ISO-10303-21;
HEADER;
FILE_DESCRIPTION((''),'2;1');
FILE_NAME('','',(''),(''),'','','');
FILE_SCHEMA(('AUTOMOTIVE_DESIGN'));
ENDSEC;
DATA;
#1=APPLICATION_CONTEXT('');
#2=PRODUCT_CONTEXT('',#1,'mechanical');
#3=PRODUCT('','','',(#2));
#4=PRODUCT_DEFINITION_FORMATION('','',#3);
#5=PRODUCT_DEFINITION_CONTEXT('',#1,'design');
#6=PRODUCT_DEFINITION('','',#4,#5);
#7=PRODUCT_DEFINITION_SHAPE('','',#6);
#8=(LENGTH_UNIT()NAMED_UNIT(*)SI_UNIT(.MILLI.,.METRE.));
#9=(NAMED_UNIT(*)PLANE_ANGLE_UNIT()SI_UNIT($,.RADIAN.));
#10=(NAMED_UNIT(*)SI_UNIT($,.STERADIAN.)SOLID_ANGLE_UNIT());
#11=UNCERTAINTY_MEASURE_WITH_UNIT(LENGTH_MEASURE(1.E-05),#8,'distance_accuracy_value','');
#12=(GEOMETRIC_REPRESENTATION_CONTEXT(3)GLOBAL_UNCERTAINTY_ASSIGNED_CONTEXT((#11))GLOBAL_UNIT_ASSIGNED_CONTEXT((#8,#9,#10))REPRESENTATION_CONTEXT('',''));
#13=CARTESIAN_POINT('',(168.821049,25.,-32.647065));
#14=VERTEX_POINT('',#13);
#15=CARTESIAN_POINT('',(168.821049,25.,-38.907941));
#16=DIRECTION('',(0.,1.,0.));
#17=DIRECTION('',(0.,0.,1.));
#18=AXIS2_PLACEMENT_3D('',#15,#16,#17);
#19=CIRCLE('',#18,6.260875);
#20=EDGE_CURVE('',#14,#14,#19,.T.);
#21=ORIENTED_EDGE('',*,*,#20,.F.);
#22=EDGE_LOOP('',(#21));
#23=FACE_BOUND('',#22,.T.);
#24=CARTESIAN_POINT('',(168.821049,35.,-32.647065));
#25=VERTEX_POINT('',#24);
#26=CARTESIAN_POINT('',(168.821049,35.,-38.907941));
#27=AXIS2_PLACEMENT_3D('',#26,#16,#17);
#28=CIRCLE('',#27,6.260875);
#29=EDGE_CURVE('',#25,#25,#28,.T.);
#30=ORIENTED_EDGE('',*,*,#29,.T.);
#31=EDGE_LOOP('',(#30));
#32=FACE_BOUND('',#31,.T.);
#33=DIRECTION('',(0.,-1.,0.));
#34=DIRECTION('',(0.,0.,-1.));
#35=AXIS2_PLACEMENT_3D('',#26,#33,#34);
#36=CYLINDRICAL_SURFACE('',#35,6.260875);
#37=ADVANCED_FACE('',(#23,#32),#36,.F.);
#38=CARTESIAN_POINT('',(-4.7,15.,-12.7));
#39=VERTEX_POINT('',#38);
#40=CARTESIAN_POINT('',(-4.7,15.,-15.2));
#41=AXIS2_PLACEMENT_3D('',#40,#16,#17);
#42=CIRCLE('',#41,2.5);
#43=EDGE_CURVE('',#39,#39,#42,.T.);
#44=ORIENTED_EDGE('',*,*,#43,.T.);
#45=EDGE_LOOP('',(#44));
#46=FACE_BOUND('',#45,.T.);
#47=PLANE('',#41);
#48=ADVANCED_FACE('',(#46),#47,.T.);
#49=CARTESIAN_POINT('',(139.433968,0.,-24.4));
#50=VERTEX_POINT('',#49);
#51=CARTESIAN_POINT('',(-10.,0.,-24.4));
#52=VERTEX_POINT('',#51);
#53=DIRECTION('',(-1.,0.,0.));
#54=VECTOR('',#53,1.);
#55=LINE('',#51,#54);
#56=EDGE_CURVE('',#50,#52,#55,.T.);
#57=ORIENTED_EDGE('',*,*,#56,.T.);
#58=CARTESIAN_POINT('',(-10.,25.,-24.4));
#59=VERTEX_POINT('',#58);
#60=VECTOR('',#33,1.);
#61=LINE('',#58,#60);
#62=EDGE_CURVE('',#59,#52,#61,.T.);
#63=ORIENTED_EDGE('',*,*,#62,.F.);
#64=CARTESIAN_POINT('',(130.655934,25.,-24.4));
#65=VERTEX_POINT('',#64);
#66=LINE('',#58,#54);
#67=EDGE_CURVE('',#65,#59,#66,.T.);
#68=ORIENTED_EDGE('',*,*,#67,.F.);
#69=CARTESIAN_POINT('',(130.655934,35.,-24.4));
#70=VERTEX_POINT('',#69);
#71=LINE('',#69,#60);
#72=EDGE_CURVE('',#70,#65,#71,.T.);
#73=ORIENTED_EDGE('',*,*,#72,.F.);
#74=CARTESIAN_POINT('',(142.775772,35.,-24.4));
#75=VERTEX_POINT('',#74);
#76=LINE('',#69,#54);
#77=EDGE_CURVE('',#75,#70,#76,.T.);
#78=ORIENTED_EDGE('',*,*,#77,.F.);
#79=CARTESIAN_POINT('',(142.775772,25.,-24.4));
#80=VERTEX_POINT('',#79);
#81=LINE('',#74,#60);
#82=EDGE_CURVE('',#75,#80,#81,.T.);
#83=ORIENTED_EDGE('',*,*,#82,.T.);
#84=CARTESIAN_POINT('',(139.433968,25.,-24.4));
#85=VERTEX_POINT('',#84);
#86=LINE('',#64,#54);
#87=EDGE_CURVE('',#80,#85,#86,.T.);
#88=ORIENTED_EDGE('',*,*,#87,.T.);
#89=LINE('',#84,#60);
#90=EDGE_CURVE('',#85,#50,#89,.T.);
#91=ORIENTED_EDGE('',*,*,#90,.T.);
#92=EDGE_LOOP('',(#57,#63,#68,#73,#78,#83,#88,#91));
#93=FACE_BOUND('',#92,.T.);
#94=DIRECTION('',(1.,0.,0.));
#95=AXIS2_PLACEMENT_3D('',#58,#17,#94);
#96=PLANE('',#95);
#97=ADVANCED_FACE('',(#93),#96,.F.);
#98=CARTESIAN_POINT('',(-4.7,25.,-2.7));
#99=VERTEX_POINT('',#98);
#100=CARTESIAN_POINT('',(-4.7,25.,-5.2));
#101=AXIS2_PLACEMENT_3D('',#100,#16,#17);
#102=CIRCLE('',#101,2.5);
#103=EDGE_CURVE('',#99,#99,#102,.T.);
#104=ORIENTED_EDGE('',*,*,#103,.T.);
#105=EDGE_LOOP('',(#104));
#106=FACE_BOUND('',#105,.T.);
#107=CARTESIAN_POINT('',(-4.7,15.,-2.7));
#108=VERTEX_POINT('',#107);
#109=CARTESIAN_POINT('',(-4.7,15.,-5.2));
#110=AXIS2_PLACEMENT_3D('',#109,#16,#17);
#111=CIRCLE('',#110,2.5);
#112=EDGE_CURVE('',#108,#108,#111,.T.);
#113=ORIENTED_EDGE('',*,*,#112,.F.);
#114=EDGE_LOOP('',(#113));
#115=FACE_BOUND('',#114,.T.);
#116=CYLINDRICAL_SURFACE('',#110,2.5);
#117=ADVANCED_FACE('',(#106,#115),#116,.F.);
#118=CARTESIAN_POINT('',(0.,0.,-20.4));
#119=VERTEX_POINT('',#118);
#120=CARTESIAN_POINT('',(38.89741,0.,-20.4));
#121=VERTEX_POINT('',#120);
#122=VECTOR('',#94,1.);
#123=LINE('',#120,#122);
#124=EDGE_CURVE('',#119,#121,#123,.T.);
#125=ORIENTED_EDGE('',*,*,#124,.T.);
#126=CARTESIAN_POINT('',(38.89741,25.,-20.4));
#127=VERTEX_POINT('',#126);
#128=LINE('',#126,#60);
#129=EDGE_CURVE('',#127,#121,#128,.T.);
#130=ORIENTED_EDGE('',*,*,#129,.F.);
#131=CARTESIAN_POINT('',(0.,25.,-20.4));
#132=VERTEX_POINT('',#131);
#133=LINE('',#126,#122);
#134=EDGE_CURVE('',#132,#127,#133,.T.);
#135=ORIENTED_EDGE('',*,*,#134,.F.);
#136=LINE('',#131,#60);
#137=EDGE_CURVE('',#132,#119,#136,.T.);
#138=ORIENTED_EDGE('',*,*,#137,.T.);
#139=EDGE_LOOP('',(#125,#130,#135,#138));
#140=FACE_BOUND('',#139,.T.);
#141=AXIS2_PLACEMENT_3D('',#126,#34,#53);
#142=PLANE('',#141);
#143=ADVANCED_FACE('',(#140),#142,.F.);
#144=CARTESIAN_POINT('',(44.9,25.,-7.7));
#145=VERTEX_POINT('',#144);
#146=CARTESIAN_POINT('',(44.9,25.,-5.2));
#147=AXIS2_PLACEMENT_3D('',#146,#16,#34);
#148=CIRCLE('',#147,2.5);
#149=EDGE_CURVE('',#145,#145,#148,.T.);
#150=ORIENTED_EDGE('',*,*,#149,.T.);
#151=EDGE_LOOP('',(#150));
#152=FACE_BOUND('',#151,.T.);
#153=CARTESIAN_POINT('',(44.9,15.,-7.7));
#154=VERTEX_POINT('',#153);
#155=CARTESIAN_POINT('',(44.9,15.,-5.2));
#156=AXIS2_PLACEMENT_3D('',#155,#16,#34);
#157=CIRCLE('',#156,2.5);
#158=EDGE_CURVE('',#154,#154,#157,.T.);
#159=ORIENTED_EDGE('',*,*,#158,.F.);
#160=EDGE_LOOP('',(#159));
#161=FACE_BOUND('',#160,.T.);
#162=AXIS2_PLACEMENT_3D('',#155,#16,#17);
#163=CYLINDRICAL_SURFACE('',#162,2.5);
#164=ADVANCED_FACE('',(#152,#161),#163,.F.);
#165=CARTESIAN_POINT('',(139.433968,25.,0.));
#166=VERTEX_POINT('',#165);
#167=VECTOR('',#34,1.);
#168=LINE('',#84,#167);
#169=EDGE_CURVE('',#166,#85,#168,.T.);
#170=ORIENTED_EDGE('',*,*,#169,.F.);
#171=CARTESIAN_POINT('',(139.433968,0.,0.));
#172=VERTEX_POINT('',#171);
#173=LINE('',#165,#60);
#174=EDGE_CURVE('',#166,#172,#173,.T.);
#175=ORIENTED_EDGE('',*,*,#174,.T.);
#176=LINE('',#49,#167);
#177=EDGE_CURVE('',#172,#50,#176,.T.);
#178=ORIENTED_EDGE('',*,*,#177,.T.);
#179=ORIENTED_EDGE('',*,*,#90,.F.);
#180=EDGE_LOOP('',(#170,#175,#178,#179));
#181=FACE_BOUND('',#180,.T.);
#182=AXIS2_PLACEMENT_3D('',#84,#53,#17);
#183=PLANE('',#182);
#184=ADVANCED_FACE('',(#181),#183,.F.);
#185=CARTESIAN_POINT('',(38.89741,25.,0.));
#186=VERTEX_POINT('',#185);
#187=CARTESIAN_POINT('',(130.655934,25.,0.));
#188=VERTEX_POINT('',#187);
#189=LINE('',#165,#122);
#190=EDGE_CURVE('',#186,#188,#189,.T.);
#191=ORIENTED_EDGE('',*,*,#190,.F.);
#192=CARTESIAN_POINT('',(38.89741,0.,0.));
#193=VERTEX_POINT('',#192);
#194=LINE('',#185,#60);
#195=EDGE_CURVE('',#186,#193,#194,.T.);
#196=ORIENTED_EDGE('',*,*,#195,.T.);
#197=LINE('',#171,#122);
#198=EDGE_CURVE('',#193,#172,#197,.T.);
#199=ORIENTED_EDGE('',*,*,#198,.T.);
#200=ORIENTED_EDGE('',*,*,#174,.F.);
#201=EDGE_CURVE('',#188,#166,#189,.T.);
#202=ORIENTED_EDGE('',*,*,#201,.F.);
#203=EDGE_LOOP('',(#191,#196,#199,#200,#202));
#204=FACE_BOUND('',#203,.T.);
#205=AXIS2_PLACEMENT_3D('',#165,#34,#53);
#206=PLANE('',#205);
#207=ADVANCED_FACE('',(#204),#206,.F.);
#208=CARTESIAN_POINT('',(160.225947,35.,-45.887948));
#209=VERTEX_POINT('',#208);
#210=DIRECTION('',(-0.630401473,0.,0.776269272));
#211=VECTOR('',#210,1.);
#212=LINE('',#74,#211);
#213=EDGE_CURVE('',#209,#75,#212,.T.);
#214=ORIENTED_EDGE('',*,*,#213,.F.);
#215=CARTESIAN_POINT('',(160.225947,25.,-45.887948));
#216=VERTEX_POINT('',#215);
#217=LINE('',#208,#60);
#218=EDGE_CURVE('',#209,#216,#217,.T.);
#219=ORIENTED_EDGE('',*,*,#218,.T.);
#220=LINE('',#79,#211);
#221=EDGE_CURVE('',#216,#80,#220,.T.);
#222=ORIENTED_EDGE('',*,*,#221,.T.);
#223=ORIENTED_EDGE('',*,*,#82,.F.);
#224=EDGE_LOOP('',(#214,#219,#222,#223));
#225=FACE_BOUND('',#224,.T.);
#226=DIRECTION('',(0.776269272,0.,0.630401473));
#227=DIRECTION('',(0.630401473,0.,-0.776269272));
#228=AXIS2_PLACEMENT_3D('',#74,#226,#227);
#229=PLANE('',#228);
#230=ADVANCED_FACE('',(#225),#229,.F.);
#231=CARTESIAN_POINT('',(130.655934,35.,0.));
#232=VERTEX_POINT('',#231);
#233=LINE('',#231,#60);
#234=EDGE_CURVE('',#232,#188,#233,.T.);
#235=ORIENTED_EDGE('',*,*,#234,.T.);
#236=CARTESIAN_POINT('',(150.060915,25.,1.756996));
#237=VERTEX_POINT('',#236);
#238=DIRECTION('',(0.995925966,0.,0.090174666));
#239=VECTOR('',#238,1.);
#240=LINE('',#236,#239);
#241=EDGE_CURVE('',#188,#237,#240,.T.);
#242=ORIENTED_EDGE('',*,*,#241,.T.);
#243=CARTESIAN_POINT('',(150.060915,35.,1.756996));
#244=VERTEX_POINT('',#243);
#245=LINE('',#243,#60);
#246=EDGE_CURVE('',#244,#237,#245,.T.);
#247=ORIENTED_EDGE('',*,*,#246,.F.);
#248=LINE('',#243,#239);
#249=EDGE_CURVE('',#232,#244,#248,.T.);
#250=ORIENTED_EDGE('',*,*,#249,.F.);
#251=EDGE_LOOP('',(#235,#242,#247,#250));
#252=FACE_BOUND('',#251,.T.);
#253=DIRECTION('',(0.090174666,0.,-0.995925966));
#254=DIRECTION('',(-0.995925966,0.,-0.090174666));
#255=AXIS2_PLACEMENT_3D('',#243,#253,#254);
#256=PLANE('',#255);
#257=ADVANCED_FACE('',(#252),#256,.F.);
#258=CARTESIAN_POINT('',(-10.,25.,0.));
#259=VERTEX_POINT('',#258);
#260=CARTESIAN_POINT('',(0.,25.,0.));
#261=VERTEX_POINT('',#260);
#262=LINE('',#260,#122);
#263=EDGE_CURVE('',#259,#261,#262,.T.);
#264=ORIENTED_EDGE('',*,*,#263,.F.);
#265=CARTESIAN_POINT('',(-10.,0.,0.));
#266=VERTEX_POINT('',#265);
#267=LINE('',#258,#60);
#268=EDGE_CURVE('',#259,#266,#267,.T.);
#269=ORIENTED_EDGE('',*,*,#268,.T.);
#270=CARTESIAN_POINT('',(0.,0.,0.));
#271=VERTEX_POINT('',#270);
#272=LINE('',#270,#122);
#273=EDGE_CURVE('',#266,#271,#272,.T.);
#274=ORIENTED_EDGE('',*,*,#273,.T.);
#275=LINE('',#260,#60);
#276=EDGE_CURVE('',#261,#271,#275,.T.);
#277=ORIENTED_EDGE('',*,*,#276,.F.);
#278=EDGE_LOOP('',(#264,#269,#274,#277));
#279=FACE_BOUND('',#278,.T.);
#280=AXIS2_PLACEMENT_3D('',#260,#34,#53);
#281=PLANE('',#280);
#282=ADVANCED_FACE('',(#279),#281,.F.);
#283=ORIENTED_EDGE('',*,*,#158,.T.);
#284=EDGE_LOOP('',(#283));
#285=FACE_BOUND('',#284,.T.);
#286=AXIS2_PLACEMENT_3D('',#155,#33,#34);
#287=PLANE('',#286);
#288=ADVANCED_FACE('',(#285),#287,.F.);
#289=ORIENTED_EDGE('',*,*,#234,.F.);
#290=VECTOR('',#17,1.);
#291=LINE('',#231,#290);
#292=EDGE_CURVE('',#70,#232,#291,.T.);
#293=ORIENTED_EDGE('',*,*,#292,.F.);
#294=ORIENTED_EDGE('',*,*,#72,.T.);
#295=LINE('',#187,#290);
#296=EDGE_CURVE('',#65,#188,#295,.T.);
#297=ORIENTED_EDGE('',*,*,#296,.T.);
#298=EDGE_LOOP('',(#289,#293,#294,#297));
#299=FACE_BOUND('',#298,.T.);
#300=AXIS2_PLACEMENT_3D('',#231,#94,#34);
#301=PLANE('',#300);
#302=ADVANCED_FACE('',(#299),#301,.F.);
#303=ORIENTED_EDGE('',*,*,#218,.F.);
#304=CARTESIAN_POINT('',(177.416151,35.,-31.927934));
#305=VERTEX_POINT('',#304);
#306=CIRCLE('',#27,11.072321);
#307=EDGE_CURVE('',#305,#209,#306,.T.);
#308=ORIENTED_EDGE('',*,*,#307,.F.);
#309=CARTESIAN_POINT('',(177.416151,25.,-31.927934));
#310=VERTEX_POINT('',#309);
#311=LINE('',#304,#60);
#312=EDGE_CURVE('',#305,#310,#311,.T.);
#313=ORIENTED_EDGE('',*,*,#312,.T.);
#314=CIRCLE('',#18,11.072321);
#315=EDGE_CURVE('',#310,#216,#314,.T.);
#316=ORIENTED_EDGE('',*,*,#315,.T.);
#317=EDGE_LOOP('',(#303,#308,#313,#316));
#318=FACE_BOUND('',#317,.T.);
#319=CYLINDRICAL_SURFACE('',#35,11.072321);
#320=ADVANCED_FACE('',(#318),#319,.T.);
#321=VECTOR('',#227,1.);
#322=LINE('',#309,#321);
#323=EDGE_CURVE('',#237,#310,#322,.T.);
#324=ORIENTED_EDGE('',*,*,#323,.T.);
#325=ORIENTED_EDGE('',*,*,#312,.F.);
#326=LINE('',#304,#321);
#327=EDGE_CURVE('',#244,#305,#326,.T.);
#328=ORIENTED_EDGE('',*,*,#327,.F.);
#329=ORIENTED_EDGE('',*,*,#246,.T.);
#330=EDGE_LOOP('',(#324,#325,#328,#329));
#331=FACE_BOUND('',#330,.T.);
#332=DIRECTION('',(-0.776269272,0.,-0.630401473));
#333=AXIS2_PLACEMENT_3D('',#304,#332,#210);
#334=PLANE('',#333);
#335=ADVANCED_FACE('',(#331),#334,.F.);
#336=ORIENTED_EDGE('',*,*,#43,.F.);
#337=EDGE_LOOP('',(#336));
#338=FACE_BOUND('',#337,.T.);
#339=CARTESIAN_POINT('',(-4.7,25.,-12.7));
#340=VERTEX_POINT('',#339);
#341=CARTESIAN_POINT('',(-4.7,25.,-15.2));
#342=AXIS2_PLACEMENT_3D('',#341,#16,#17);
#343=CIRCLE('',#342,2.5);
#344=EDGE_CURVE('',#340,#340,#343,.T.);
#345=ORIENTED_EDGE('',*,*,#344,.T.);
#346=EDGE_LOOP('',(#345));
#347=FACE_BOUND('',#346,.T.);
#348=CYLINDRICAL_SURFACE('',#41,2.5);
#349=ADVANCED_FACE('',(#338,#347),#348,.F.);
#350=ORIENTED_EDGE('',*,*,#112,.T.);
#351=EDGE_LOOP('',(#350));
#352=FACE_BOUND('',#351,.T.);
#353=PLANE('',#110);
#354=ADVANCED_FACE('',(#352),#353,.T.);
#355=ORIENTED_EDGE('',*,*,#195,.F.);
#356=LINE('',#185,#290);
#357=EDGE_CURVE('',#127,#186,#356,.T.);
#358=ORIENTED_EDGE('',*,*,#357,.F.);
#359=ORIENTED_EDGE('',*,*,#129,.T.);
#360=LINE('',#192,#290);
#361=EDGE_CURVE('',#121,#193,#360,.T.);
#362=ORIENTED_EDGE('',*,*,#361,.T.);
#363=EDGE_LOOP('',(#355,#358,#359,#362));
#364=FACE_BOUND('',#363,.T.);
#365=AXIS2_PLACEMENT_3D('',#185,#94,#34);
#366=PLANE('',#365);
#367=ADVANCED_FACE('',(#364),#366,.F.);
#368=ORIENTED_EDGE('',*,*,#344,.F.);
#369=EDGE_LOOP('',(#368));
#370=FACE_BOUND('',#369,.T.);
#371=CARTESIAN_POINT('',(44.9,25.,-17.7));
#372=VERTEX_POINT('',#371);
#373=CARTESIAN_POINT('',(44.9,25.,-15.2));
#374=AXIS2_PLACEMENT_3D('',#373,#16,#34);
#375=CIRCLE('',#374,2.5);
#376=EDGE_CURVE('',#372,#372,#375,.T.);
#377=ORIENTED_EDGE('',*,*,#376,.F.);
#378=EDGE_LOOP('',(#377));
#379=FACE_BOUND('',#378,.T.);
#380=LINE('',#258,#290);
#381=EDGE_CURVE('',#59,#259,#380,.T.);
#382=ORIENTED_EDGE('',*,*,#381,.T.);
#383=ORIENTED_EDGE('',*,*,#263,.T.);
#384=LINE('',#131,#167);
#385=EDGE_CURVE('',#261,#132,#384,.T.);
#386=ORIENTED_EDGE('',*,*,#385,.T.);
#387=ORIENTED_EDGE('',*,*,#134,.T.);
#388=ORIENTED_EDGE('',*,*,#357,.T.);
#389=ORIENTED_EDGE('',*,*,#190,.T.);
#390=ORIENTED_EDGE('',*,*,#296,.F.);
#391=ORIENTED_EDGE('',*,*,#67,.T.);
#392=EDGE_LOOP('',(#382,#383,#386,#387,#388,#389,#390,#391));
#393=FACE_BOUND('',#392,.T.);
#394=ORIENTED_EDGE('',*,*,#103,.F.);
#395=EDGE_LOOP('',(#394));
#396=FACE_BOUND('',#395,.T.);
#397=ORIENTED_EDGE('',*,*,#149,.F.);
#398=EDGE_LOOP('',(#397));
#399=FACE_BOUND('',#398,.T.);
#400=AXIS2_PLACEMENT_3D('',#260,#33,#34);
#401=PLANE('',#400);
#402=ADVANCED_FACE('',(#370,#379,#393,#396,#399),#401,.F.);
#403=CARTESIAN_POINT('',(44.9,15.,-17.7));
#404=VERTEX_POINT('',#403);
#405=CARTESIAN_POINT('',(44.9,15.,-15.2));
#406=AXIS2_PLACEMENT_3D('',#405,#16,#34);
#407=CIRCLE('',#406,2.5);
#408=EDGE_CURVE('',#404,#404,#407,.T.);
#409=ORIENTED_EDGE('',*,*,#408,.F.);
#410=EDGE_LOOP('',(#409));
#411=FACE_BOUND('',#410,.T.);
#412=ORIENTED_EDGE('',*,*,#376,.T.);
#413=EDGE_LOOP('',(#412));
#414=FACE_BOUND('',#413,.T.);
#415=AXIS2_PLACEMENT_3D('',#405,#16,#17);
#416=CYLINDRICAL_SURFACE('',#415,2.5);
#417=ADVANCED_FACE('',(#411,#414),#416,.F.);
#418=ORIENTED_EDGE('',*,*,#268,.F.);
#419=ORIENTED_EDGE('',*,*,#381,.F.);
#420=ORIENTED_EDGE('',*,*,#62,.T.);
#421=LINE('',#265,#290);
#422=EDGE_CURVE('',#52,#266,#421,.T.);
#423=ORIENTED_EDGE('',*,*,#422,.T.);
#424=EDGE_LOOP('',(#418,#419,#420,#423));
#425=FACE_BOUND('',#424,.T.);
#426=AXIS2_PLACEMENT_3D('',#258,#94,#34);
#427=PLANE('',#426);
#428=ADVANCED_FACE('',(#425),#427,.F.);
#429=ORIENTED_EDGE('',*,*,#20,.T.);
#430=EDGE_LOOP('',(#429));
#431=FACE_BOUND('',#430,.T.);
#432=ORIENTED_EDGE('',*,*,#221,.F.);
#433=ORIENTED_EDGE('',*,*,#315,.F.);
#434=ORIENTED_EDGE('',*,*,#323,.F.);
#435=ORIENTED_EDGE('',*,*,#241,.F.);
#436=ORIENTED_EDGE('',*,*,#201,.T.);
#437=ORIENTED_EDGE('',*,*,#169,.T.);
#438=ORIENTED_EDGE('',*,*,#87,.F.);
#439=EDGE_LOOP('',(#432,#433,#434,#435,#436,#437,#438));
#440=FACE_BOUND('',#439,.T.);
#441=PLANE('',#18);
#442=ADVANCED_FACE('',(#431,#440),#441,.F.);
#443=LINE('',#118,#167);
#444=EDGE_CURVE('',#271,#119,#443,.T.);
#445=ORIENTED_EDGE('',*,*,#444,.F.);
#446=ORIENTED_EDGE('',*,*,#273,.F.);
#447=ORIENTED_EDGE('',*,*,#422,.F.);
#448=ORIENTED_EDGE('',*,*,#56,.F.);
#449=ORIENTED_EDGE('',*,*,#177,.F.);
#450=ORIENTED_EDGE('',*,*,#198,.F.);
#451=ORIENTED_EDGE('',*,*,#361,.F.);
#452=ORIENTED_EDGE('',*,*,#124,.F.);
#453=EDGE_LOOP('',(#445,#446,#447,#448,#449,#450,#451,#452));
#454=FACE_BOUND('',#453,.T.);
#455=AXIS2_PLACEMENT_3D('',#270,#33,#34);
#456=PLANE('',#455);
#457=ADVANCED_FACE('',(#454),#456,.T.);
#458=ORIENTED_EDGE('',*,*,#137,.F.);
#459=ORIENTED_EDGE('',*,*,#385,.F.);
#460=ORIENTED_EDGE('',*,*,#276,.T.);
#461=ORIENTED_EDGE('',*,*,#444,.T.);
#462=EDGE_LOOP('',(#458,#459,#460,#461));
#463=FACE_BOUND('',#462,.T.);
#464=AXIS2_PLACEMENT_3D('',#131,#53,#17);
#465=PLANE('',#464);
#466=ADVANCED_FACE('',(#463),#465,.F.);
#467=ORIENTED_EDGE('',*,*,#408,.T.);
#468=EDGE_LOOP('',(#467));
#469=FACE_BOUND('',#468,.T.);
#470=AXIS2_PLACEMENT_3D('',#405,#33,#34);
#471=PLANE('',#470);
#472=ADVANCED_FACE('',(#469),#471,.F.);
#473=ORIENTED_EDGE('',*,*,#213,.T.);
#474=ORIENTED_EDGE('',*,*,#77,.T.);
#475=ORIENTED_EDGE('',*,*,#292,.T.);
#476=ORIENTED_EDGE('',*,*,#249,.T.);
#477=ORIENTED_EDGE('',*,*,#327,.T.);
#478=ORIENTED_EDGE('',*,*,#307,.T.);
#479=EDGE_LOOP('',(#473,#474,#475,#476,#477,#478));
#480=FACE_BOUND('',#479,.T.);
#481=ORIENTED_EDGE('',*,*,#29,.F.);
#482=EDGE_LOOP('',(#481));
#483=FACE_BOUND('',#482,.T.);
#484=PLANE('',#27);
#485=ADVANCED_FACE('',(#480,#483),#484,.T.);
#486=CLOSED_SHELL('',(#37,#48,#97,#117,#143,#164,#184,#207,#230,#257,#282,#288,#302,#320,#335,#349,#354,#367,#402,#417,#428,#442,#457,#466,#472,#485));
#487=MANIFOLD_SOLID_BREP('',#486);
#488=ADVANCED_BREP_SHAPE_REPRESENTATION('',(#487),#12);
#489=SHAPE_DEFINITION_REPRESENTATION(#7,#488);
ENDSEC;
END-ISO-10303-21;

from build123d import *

# Parameters (mm, degrees)
BOSS_EXTRUDE1_DEPTH = 25
SKETCH2_R           = 2.5
CUT_EXTRUDE2_DEPTH  = 10
SKETCH3_R           = 6.260875311
BOSS_EXTRUDE2_DEPTH = 10


with BuildPart() as part:
    # Sketch1 → Boss-Extrude1 (new body)
    with BuildSketch(Plane(origin=(0, 0, 0), x_dir=(1, 0, 0), z_dir=(0, 1, 0))):
        Polygon((0, 0), (-10, 0), (-10, 24.4), (139.433967886, 24.4), (139.433967886, 0), (38.897409925, 0), (38.897409925, 20.4), (0, 20.4), align=None)
    extrude(amount=BOSS_EXTRUDE1_DEPTH)

    # Sketch2 → Cut-Extrude2 (cut)
    with BuildSketch(Plane(origin=(0, 25, 0), x_dir=(1, 0, 0), z_dir=(0, 1, 0))):
        with Locations(Location((-4.7, 15.2, 0), (0, 0, 270))):
            Circle(SKETCH2_R)
        with Locations(Location((-4.7, 5.2, 0), (0, 0, 270))):
            Circle(SKETCH2_R)
        with Locations(Location((44.9, 5.2, 0), (0, 0, 90))):
            Circle(SKETCH2_R)
        with Locations(Location((44.9, 15.2, 0), (0, 0, 90))):
            Circle(SKETCH2_R)
    extrude(amount=-CUT_EXTRUDE2_DEPTH, mode=Mode.SUBTRACT)

    # Sketch3 → Boss-Extrude2 (add)
    with BuildSketch(Plane(origin=(0, 25, 0), x_dir=(1, 0, 0), z_dir=(0, 1, 0))):
        with BuildLine():
            Line((130.655933967, 24.4), (142.775772415, 24.4))
            Line((142.775772415, 24.4), (160.225946606, 45.887947938))
            ThreePointArc((160.225946606, 45.887947938), (175.801056072, 47.503042983), (177.416151117, 31.927933517))
            Line((177.416151117, 31.927933517), (150.060915274, -1.756995769))
            Line((150.060915274, -1.756995769), (130.655933967, 0))
            Line((130.655933967, 0), (130.655933967, 24.4))
        make_face()
        with Locations(Location((168.821048861, 38.907940727, 0), (0, 0, 270))):
            Circle(SKETCH3_R, mode=Mode.SUBTRACT)
    extrude(amount=BOSS_EXTRUDE2_DEPTH)


solid = part.part
